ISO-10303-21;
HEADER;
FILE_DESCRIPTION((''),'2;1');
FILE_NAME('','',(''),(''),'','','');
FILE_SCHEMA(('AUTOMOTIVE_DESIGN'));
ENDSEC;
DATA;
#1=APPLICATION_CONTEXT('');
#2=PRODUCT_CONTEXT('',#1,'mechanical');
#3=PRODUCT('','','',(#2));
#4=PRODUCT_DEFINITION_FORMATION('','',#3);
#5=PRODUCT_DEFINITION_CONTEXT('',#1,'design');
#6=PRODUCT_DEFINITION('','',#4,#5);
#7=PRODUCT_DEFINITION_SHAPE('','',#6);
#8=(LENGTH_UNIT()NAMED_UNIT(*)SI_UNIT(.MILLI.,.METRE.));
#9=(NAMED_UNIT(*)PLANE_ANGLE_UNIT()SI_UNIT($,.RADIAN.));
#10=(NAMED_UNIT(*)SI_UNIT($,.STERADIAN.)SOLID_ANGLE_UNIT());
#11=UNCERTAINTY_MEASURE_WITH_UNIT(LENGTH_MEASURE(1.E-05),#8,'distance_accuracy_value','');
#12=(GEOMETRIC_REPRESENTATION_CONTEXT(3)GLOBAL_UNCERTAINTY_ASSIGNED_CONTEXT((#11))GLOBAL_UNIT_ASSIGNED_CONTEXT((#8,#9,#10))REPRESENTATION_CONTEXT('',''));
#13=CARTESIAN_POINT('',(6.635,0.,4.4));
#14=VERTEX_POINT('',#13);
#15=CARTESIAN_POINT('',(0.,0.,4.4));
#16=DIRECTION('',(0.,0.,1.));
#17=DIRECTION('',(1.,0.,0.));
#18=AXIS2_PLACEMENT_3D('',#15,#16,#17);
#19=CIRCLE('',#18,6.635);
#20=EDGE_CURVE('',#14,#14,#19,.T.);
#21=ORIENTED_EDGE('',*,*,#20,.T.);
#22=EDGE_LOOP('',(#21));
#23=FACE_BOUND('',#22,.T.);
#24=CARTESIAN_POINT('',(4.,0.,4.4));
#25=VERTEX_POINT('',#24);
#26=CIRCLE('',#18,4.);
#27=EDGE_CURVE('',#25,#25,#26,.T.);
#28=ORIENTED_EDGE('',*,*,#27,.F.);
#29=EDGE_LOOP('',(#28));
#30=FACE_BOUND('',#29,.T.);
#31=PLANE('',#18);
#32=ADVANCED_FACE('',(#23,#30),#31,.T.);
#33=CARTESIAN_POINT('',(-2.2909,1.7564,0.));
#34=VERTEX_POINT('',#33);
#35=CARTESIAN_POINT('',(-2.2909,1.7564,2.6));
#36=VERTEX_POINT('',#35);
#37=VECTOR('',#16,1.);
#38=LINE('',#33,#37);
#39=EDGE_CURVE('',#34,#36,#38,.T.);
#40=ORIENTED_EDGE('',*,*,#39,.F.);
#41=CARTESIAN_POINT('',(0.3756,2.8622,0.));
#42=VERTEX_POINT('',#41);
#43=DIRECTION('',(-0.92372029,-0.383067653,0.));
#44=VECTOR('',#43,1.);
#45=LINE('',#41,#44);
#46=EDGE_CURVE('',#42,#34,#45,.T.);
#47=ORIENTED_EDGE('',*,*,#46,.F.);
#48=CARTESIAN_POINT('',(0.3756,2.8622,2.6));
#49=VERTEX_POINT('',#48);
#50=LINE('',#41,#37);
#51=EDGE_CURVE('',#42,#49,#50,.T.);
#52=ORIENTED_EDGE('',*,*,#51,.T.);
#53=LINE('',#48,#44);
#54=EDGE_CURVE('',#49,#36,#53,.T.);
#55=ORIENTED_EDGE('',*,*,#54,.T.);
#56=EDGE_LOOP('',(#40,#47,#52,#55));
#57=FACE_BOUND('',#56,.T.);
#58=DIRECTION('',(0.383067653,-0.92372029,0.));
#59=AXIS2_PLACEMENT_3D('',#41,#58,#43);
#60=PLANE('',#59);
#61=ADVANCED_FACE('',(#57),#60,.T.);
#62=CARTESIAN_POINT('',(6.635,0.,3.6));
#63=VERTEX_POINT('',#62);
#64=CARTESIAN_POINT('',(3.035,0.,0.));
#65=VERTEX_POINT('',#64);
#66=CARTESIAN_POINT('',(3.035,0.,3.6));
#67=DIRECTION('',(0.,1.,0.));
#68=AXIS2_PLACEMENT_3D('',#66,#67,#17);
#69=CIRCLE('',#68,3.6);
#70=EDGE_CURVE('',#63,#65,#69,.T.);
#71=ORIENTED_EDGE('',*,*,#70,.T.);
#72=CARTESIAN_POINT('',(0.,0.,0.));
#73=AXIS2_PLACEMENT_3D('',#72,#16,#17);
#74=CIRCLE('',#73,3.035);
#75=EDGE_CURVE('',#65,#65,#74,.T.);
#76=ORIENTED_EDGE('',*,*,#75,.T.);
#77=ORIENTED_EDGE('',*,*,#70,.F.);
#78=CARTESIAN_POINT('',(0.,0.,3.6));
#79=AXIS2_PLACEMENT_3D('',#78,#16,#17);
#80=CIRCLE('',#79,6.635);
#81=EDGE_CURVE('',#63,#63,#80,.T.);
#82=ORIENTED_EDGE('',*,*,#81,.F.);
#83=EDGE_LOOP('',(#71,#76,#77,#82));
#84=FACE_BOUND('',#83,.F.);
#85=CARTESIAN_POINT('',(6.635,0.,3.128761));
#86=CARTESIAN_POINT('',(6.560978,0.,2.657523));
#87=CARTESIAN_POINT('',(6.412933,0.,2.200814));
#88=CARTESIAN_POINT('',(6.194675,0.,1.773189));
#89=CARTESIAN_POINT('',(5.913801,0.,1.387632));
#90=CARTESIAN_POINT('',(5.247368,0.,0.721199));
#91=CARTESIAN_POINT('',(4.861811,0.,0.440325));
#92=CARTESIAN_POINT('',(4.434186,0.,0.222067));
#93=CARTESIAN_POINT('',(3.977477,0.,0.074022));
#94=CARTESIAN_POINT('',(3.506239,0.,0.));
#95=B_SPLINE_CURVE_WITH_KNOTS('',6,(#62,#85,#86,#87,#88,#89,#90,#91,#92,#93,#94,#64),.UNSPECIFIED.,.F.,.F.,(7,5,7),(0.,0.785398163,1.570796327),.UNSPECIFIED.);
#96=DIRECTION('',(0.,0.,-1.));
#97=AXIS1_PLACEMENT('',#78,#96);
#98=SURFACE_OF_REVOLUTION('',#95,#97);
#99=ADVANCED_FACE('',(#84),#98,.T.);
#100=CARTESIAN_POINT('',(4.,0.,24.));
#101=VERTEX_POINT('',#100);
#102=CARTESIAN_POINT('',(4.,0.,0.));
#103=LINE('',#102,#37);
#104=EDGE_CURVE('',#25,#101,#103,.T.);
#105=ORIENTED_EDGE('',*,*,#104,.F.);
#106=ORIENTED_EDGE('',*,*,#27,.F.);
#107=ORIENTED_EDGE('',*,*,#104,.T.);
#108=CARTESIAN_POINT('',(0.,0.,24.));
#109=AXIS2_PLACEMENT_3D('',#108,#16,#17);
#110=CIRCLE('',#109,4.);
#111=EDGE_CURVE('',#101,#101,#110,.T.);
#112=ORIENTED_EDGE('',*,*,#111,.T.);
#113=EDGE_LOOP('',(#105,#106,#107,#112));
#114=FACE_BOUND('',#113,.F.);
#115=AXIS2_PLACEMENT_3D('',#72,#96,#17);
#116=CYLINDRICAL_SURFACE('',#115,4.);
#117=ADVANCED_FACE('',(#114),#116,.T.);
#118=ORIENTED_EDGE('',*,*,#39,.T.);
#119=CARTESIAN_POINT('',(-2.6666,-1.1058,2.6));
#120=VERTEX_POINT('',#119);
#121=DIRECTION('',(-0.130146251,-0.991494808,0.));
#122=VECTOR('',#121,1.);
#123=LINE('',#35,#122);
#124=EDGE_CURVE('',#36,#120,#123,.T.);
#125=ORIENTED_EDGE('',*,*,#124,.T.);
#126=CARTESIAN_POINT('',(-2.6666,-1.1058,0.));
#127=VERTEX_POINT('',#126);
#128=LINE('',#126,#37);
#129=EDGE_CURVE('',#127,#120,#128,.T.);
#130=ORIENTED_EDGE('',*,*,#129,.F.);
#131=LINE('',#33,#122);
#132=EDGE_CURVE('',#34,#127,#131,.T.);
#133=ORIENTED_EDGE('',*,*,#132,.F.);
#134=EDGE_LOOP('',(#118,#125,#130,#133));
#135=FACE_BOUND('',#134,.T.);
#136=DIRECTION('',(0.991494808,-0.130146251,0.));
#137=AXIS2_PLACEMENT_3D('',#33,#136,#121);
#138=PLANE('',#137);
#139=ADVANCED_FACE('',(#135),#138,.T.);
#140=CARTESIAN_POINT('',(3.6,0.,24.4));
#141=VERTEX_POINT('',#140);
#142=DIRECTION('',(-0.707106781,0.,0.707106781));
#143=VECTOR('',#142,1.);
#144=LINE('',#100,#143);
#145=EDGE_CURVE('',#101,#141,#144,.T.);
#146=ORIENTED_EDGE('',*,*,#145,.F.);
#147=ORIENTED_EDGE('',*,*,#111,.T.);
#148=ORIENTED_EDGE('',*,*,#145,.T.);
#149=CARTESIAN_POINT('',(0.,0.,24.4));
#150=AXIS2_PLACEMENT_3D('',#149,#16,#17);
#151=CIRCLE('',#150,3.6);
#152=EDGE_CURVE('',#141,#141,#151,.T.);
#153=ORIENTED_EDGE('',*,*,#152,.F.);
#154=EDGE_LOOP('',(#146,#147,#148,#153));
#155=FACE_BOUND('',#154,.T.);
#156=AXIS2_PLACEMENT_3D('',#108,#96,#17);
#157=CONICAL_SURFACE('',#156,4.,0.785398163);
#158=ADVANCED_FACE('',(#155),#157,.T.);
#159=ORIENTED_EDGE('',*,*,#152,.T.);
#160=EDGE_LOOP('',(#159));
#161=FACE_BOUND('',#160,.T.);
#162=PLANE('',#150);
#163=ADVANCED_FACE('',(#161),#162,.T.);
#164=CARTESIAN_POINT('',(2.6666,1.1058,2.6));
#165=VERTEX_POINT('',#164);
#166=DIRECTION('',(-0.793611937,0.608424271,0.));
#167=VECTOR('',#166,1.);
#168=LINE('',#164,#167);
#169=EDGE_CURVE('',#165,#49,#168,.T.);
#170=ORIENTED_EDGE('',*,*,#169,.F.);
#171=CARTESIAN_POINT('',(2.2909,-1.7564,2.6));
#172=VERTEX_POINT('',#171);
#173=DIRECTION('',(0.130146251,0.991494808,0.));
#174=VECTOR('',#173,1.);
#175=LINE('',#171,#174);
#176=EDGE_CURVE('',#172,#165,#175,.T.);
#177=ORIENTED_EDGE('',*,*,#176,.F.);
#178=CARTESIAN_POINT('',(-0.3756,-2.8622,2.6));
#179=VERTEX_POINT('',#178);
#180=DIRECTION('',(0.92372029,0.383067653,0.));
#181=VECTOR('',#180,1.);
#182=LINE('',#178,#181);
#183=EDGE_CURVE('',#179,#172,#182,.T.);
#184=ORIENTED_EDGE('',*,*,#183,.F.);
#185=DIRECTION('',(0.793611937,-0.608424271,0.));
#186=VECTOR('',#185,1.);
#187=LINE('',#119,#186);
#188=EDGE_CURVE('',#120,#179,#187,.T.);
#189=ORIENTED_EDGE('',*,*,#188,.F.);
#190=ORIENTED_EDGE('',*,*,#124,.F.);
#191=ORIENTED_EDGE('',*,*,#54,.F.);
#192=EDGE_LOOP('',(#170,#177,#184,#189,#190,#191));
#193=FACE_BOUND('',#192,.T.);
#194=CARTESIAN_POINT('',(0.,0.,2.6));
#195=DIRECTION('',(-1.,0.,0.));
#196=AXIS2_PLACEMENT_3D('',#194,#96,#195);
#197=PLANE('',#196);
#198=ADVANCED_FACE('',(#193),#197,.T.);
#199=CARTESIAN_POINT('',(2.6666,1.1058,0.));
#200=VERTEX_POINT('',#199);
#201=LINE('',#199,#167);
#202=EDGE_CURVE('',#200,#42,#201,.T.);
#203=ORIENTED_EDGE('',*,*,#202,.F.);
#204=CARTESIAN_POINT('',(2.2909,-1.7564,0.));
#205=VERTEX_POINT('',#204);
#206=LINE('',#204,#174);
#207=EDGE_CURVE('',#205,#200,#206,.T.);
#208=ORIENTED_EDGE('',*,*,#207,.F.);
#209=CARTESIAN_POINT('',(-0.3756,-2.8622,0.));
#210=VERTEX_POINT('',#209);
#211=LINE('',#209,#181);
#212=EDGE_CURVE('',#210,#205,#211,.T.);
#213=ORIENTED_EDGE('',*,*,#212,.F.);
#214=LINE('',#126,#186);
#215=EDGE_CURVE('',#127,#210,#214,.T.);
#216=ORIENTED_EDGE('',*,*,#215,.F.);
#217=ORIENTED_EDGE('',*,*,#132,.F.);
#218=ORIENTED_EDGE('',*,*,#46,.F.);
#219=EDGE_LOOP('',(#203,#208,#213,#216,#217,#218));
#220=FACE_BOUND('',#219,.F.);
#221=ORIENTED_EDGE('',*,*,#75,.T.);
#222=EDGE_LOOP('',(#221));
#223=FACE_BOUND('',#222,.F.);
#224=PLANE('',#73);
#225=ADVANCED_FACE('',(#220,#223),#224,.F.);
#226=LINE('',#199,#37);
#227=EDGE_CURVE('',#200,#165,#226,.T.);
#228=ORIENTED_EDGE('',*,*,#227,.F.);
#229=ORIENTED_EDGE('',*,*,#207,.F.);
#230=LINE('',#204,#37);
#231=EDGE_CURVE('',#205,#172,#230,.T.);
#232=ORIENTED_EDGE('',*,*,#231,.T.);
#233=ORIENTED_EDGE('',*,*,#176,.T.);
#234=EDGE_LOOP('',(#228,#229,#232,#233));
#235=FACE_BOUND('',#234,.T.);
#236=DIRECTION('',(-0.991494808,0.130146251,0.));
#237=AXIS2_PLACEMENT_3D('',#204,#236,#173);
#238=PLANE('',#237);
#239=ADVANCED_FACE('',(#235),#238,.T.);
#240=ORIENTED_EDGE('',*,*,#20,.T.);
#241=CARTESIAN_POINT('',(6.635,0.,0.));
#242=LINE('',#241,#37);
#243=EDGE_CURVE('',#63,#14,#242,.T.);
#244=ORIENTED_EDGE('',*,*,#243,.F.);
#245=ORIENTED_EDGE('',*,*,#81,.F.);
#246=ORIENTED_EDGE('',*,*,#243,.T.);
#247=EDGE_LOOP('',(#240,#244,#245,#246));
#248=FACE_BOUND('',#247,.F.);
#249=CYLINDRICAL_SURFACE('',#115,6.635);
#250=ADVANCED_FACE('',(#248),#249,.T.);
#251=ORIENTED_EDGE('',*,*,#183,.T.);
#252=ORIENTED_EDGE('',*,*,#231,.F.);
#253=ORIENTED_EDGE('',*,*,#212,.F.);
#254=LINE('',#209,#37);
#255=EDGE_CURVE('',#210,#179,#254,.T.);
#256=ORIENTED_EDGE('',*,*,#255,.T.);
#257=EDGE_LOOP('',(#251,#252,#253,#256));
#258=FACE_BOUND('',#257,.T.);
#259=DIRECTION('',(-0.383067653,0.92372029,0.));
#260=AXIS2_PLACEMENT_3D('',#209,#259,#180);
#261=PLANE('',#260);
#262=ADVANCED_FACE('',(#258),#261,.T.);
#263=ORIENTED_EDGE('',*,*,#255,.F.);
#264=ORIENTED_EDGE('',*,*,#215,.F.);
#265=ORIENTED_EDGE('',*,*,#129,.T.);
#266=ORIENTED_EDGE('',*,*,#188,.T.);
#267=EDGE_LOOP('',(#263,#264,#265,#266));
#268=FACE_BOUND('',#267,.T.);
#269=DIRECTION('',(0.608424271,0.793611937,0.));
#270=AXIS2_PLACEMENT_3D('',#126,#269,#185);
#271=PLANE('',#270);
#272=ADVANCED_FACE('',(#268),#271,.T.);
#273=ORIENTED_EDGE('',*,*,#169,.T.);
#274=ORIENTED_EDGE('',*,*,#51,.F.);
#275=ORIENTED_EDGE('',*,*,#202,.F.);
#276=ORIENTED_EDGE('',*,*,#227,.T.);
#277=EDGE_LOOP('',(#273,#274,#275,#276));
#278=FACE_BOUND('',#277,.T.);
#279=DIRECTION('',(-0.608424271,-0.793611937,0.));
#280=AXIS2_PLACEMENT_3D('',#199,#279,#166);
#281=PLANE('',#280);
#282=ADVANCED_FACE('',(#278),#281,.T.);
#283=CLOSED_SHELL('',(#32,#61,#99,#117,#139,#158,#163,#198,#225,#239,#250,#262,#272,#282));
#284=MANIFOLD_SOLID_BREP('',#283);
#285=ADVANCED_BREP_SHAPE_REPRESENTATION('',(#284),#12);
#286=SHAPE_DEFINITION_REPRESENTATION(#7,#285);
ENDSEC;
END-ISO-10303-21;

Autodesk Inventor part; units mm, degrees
ref_plane "YZ Plane" through (0, 0, 0) normal (1, 0, 0) x (0, 1, 0)
ref_plane "XZ Plane" through (0, 0, 0) normal (0, 1, 0) x (-1, 0, 0)
ref_plane "XY Plane" through (0, 0, 0) normal (0, 0, 1) x (1, 0, 0)
sketch "Sketch1" plane through (0, 0, 0) normal (0, 0, 1) x (1, 0, 0)
  circle A0 centre (0, 0) radius 6.635
  circle A1 centre (0, 0) radius 4
  dimension "d0" = 13.27
  dimension "d1" = 8
extrude "Extrusion1" add sketch "Sketch1" along normal blind 4.4
extrude "Extrusion2" add sketch "Sketch1" along normal blind 24.4 contours A1
sketch "Boceto2" plane through (0, 0, 0) normal (0, 0, -1) x (-1, 0, 0)
  line L0 (2.2909, 1.7564) -> (2.6666, -1.1058)
  line L1 (2.6666, -1.1058) -> (0.3756, -2.8622)
  line L2 (0.3756, -2.8622) -> (-2.2909, -1.7564)
  line L3 (-2.2909, -1.7564) -> (-2.6666, 1.1058)
  line L4 (-2.6666, 1.1058) -> (-0.3756, 2.8622)
  line L5 (-0.3756, 2.8622) -> (2.2909, 1.7564)
  point P0 (0, 0)
  point P1 (0, 0)
  dimension "d6" = 5
extrude "Extrusión3" cut sketch "Boceto2" against normal blind 2.6
thread "Rosca1" size "M8x1.25" class "6g" standard "ISO Metric profile" length 430
fillet "Empalme1" radius 3.6 1 edges at (-6.635, 0, 0)
chamfer "Chaflán2" distance 0.4 angle 45 1 edges at (-4, 0, 24.4)
properties part number "Tornillo allen cabeza boton M8x20mm"
